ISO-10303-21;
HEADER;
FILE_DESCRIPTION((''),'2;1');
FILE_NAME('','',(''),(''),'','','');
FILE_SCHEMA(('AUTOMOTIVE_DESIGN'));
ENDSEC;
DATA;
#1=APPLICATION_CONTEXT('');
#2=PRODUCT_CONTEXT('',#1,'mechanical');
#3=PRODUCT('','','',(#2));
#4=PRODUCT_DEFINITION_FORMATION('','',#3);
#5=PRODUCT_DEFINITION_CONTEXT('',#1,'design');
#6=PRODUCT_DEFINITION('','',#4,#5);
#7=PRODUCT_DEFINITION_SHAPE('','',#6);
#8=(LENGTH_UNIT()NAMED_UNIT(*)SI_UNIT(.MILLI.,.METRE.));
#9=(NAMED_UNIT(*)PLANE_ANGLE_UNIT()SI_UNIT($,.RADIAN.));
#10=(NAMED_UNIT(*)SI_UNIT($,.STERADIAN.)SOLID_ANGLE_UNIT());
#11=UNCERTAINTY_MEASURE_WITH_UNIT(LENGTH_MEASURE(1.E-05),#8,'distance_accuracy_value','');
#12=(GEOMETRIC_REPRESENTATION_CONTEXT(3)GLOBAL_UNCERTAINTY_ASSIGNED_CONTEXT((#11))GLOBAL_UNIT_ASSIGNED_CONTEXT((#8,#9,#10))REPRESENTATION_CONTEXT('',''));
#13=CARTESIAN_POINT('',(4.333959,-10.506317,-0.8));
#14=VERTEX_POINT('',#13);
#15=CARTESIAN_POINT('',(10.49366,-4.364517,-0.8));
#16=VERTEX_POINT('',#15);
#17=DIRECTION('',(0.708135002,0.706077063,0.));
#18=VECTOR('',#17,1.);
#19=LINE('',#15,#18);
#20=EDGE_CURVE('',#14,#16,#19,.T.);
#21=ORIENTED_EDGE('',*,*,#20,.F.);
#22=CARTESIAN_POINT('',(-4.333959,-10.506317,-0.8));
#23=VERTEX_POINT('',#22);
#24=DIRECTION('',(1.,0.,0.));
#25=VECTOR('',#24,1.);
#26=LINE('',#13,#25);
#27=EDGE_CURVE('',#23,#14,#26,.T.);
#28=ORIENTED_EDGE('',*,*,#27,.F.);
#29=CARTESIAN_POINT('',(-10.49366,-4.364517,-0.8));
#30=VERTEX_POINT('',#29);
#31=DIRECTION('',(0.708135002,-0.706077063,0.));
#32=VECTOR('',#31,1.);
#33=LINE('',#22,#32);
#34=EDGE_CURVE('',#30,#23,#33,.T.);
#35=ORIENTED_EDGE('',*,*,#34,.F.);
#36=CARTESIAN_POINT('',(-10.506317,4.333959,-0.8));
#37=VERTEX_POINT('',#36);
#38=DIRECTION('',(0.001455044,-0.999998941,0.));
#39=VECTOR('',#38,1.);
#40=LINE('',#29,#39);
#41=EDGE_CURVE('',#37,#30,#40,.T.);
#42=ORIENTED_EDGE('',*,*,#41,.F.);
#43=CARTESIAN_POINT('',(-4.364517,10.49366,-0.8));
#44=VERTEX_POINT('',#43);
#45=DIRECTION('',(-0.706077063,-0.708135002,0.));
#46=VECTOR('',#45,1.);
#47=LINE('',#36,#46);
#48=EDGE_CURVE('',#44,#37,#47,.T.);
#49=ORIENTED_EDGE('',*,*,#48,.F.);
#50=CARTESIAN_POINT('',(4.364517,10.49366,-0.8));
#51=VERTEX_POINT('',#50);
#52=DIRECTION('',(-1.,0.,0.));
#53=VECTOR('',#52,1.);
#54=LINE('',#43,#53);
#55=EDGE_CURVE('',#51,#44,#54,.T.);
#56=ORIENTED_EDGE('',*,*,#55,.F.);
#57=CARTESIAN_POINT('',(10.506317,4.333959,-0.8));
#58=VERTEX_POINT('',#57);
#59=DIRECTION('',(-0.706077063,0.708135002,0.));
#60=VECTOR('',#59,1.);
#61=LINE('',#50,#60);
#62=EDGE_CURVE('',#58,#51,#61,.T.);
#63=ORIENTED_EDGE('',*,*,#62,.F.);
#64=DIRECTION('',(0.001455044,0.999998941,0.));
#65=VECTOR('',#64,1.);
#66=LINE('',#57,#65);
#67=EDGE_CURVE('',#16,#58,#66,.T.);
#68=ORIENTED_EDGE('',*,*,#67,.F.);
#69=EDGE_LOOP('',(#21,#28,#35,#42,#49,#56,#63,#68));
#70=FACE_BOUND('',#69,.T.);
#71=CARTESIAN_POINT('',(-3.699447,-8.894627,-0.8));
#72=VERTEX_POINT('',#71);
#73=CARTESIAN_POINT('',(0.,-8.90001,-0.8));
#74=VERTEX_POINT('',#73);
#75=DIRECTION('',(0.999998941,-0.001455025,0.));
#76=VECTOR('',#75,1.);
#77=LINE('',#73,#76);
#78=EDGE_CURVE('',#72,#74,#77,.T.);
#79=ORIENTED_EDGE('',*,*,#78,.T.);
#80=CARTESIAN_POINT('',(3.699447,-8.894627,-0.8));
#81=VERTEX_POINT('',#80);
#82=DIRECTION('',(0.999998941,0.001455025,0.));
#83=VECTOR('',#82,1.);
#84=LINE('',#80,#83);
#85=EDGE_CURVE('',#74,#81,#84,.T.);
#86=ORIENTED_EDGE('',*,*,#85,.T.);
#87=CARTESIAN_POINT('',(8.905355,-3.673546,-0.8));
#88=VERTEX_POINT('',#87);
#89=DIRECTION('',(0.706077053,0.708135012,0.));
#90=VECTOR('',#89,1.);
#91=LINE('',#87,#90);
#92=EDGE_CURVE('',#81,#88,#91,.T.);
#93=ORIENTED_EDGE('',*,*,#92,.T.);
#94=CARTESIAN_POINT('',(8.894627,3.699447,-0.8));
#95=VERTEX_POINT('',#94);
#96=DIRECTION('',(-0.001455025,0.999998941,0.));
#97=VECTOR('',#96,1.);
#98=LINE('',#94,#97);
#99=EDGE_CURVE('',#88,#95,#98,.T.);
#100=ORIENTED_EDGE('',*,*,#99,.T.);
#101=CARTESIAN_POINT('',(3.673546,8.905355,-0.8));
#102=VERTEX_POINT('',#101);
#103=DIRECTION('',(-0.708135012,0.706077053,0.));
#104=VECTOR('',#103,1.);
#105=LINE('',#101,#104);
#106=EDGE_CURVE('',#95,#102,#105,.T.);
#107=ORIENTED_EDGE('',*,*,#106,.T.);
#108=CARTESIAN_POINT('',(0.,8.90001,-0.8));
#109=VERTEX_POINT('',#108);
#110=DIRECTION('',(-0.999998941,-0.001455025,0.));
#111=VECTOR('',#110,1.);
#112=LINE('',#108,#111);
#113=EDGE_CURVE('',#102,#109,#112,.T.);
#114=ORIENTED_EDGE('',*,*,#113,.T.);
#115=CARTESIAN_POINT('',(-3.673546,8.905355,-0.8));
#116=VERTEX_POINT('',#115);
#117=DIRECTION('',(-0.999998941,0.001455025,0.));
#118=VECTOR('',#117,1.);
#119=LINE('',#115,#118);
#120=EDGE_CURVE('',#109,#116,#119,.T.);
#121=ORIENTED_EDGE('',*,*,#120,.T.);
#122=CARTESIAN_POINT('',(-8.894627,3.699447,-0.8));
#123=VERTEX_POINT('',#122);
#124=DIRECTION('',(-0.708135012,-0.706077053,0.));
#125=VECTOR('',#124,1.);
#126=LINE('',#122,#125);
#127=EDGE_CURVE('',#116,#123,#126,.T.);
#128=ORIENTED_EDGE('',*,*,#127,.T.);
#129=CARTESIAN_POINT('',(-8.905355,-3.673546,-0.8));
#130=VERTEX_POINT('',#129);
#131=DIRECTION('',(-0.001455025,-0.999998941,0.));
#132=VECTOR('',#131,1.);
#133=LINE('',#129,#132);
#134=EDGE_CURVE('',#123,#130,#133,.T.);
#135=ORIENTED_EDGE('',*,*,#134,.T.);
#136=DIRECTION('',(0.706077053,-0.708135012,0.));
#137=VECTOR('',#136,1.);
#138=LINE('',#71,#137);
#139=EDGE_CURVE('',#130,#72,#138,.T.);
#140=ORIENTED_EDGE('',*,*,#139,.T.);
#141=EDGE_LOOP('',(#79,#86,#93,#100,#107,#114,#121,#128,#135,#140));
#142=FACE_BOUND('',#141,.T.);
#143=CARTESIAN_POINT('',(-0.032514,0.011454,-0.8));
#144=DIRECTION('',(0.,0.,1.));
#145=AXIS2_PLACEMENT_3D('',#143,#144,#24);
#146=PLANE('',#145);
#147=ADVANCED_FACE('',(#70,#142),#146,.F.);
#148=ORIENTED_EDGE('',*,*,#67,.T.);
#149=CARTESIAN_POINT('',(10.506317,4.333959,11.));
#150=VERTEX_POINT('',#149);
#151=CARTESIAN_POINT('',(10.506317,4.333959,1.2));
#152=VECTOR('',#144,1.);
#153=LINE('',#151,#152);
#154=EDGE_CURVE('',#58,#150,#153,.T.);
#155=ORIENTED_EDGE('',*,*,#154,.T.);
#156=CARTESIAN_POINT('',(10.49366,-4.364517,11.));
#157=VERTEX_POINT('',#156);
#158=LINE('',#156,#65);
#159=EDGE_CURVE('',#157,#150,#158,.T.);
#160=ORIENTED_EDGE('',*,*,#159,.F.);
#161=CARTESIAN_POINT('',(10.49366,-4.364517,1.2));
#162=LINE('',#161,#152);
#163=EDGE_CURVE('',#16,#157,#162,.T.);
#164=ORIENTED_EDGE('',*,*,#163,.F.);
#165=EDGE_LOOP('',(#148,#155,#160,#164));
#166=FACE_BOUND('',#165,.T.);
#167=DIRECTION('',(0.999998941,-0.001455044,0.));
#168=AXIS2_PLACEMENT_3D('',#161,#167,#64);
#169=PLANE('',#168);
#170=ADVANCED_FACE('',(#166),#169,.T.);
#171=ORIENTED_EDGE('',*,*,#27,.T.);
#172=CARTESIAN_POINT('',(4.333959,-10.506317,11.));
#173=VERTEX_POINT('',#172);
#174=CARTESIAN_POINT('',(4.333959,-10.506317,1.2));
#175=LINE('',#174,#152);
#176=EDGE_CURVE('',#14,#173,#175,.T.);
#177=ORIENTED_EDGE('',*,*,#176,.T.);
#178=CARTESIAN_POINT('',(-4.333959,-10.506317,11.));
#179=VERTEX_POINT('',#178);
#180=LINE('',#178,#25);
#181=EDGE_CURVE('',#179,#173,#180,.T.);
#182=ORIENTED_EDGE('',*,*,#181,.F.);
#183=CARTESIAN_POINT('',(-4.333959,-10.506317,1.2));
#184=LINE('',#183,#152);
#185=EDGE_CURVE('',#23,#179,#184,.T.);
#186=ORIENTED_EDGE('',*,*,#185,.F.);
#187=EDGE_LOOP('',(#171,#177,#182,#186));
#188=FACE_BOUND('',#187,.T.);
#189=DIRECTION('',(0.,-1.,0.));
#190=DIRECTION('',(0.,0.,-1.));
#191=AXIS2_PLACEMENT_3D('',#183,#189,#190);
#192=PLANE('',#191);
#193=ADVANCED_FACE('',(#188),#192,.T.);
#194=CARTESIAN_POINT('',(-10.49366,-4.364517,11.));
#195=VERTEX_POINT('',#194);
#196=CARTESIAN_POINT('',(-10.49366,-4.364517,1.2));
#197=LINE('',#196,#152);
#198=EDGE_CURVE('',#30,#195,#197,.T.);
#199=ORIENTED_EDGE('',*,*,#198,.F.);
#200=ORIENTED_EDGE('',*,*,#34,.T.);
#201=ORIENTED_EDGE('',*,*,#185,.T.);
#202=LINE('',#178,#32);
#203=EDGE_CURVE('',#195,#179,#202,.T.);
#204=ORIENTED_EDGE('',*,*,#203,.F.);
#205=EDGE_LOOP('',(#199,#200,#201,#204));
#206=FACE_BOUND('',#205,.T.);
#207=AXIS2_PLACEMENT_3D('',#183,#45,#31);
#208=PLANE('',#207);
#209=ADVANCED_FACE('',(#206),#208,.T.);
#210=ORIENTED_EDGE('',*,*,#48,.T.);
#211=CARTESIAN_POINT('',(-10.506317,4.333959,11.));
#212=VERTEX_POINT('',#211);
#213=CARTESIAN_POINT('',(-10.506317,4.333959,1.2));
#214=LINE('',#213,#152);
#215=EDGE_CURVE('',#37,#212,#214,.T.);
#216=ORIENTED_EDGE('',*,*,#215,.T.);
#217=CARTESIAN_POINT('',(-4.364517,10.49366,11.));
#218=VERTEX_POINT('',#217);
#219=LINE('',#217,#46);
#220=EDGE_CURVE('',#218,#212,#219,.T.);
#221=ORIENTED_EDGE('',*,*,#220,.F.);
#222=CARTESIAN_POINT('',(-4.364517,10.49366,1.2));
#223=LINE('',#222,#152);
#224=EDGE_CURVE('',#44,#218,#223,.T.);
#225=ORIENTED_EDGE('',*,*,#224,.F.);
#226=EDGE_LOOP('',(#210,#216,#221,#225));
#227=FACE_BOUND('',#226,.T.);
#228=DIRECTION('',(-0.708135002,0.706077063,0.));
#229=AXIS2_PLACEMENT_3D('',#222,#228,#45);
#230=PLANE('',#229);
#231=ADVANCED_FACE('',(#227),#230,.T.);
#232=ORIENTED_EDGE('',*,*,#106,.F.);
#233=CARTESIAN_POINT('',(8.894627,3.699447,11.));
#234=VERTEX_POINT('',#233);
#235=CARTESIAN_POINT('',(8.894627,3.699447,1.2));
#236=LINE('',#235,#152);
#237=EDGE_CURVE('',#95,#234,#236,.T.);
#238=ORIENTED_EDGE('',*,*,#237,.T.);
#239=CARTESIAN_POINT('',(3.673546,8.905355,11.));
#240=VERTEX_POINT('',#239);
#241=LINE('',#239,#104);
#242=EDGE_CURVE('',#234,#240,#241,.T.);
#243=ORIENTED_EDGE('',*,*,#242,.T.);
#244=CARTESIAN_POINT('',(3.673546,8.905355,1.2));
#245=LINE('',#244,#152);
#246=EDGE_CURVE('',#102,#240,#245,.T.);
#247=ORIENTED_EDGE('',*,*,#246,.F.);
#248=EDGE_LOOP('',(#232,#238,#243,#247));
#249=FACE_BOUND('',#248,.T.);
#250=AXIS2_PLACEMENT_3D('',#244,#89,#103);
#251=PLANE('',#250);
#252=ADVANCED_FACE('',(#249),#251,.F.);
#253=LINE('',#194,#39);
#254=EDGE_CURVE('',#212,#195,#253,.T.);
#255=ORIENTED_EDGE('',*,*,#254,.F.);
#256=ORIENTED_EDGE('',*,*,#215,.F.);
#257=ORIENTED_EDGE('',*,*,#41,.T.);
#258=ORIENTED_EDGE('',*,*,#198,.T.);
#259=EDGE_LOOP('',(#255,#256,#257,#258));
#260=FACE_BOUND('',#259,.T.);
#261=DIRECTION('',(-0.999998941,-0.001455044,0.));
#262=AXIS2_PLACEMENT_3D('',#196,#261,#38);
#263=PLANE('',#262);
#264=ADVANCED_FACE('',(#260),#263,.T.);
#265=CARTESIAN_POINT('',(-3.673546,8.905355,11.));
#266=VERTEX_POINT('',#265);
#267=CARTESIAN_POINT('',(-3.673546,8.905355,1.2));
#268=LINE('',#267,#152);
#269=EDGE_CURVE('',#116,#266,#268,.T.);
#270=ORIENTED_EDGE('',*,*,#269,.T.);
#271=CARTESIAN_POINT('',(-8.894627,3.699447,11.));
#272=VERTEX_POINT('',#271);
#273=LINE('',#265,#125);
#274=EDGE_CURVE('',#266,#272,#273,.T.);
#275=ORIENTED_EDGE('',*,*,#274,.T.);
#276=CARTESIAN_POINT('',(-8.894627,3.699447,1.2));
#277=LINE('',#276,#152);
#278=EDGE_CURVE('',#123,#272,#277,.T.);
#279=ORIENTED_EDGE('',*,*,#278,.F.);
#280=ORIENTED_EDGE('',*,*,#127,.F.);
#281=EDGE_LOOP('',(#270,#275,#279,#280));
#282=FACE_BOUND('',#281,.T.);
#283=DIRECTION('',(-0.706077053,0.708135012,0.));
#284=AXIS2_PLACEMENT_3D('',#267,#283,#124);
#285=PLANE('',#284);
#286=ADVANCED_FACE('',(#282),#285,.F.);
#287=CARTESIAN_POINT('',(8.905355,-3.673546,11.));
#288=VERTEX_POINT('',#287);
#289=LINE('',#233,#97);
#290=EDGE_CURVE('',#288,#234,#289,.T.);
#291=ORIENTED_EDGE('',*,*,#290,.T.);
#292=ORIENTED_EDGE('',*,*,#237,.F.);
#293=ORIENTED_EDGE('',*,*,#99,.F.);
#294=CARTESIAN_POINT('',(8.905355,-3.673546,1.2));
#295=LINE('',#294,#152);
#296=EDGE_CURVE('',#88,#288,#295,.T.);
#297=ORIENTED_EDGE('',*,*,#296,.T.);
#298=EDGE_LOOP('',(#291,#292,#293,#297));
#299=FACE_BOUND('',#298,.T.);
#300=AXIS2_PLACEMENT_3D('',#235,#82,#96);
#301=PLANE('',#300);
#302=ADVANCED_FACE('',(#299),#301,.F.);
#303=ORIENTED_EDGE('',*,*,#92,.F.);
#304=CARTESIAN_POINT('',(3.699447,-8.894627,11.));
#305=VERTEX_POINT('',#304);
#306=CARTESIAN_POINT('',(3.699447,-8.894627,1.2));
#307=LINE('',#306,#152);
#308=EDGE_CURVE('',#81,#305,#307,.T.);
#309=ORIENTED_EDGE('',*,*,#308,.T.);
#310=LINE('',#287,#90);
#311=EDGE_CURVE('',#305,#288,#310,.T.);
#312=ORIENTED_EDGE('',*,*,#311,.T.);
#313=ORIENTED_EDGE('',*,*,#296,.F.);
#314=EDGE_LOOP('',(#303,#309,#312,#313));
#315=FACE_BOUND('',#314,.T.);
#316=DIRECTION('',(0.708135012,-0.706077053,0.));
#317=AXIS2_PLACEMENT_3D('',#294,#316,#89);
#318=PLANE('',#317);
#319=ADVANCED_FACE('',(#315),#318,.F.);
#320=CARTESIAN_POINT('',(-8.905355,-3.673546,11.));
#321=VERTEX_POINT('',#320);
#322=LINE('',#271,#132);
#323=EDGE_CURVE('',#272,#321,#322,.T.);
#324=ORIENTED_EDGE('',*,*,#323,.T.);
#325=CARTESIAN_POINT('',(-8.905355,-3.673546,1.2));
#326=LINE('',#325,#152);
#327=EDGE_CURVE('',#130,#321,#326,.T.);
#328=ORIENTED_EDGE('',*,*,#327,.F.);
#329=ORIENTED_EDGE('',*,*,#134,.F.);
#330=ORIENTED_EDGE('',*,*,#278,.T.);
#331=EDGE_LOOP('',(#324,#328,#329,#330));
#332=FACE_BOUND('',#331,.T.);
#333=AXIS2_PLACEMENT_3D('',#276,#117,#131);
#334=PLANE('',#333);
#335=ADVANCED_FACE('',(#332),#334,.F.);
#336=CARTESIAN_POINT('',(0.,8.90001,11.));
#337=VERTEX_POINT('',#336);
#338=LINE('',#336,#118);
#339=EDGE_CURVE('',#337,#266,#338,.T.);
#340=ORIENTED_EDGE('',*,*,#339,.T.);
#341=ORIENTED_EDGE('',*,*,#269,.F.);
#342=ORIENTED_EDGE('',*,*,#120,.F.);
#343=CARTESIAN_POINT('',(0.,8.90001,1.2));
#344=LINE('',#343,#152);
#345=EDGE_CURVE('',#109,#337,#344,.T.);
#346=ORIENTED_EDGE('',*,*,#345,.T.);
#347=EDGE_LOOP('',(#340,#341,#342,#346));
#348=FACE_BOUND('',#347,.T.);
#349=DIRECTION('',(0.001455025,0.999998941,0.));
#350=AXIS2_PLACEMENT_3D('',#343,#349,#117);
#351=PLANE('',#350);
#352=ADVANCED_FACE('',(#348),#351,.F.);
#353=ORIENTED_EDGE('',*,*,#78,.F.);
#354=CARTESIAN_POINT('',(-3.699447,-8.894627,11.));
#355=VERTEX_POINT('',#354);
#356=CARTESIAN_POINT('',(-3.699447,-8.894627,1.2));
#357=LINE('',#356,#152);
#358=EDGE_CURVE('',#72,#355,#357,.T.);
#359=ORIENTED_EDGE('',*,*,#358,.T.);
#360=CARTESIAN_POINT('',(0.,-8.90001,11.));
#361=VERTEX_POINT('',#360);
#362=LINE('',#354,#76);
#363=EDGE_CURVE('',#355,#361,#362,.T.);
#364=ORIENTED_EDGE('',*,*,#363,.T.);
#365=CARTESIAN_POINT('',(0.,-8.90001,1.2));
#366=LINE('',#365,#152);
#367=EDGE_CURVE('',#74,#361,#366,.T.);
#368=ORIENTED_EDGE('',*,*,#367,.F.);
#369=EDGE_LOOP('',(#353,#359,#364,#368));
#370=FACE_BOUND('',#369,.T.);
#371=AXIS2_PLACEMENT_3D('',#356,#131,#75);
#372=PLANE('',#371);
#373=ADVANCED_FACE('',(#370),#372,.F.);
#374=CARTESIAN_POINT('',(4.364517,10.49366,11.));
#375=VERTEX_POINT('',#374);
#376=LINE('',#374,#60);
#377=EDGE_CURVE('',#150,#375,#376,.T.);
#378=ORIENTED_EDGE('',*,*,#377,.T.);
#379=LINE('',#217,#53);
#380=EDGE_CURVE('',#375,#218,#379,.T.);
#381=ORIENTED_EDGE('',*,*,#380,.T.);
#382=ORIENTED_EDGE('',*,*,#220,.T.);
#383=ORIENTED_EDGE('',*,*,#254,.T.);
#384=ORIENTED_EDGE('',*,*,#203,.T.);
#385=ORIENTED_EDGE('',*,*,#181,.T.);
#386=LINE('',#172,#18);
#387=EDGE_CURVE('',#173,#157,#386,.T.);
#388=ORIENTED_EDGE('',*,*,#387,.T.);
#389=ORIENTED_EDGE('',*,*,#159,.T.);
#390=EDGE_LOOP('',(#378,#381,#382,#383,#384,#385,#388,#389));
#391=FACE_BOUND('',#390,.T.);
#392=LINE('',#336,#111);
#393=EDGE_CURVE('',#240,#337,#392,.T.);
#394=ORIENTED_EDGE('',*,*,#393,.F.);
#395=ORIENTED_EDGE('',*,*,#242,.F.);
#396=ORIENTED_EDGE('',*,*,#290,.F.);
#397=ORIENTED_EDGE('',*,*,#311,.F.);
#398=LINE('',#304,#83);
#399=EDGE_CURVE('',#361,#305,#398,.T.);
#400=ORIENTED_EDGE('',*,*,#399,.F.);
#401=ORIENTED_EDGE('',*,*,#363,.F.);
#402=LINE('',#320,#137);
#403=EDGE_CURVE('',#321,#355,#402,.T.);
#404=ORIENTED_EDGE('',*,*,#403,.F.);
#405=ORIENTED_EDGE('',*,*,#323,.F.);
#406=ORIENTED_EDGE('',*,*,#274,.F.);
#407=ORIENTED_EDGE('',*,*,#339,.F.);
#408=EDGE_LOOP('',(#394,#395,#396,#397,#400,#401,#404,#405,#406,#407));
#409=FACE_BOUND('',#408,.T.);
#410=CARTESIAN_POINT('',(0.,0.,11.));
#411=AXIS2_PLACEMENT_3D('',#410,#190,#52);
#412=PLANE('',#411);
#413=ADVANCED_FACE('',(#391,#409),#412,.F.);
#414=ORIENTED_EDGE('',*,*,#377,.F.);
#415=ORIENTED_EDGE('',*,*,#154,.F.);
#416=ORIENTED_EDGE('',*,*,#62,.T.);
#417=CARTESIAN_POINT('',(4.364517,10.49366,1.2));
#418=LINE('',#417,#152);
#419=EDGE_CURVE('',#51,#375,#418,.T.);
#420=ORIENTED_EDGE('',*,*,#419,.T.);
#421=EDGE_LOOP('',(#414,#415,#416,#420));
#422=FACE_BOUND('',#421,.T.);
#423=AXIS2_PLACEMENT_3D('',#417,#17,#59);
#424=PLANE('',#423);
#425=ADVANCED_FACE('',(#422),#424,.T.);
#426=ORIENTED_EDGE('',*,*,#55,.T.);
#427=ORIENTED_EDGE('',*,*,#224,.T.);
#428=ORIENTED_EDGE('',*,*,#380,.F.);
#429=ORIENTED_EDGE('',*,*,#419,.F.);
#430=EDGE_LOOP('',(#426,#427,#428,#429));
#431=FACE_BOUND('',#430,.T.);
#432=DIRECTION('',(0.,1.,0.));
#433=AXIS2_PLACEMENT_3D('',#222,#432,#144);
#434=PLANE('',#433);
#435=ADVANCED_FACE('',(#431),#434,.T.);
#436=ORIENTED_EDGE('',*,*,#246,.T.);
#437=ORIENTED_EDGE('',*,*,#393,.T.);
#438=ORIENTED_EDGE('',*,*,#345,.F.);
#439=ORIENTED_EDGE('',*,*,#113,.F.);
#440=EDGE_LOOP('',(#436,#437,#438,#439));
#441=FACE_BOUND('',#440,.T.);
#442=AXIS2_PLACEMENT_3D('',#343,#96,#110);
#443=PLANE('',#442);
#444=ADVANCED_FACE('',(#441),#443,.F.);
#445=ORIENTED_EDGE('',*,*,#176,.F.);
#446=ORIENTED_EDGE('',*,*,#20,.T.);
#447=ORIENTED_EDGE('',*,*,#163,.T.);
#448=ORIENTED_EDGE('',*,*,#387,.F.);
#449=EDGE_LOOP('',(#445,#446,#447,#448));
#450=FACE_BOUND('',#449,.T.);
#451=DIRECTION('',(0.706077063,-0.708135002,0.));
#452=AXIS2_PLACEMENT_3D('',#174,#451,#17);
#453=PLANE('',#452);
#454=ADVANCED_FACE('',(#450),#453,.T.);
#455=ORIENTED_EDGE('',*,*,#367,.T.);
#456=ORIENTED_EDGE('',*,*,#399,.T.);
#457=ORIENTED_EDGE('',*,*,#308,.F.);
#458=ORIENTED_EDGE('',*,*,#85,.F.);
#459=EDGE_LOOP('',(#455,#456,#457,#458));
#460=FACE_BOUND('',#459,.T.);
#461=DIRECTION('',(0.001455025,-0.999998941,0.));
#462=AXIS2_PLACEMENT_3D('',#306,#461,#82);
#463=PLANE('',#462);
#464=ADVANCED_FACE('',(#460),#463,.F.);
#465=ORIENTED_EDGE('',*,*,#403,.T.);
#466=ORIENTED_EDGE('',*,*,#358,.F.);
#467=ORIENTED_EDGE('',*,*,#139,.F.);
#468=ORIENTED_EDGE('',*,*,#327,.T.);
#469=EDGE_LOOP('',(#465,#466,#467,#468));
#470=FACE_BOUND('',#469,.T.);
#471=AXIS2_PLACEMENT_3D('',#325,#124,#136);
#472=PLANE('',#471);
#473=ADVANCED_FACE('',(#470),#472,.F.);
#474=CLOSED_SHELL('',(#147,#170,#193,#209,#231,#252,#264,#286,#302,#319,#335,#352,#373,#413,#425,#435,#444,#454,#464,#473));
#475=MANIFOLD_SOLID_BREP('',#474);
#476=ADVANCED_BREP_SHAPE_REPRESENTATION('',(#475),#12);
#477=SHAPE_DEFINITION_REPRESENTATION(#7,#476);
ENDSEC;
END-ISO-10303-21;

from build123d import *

# Parameters (mm, degrees)
BOSS_EXTRUDE1_DEPTH = 9.8
SKETCH2_R           = 3.949999995
BOSS_EXTRUDE2_DEPTH = 1.2
SKETCH3_W           = 38.864651583
SKETCH3_H           = 1.2
CUT_EXTRUDE1_DEPTH  = 21.999977365
BOSS_EXTRUDE3_DEPTH = 2


with BuildPart() as part:
    # Sketch1 → Boss-Extrude1 (new body)
    with BuildSketch(Plane.XY.offset(11)):
        Polygon((4.333958961, -10.506317019), (10.493660346, -4.364516586), (10.506317019, 4.333958961), (4.364516586, 10.493660346), (-4.364516586, 10.493660346), (-10.506317019, 4.333958961), (-10.493660346, -4.364516586), (-4.333958961, -10.506317019), align=None)
        Polygon((0, 8.900009778), (3.673546249, 8.905354887), (8.894626983, 3.699447494), (8.905354887, -3.673546249), (3.699447494, -8.894626983), (0, -8.900009778), (-3.699447494, -8.894626983), (-8.905354887, -3.673546249), (-8.894626983, 3.699447494), (-3.673546249, 8.905354887), align=None, mode=Mode.SUBTRACT)
    extrude(amount=-BOSS_EXTRUDE1_DEPTH)

    # Sketch2 → Boss-Extrude2 (add)
    with BuildSketch(Plane(origin=(0, 0, 1.2), x_dir=(-1, 0, 0), z_dir=(0, 0, -1))):
        with BuildLine():
            Line((4.364516586, 10.493660346), (-4.364516586, 10.493660346))
            Line((-4.364516586, 10.493660346), (-10.506317019, 4.333958961))
            ThreePointArc((-10.506317019, 4.333958961), (-14.560364187, -0.021186842), (-10.493660346, -4.364516586))
            Line((-10.493660346, -4.364516586), (-4.333958961, -10.506317019))
            Line((-4.333958961, -10.506317019), (4.333958961, -10.506317019))
            Line((4.333958961, -10.506317019), (10.493660346, -4.364516586))
            ThreePointArc((10.493660346, -4.364516586), (14.560364187, -0.021186842), (10.506317019, 4.333958961))
            Line((10.506317019, 4.333958961), (4.364516586, 10.493660346))
        make_face()
        Circle(SKETCH2_R, mode=Mode.SUBTRACT)
    extrude(amount=BOSS_EXTRUDE2_DEPTH)

    # Sketch3 → Cut-Extrude1 (cut, through all)
    with BuildSketch(Plane.XZ.offset(10.506317019)):
        with Locations((0.864726488, 0.6)):
            Rectangle(SKETCH3_W, SKETCH3_H)
    extrude(amount=-CUT_EXTRUDE1_DEPTH, mode=Mode.SUBTRACT)

    # Sketch5 → Boss-Extrude3 (add)
    with BuildSketch(Plane(origin=(0, 0, 1.2), x_dir=(-1, 0, 0), z_dir=(0, 0, -1))):
        Polygon((-4.364516586, 10.493660346), (-10.506317019, 4.333958961), (-10.493660346, -4.364516586), (-4.333958961, -10.506317019), (4.333958961, -10.506317019), (10.493660346, -4.364516586), (10.506317019, 4.333958961), (4.364516586, 10.493660346), align=None)
        Polygon((-8.894626983, 3.699447494), (-8.905354887, -3.673546249), (-3.699447494, -8.894626983), (0, -8.900009778), (3.699447494, -8.894626983), (8.905354887, -3.673546249), (8.894626983, 3.699447494), (3.673546249, 8.905354887), (0, 8.900009778), (-3.673546249, 8.905354887), align=None, mode=Mode.SUBTRACT)
    extrude(amount=BOSS_EXTRUDE3_DEPTH)


solid = part.part
